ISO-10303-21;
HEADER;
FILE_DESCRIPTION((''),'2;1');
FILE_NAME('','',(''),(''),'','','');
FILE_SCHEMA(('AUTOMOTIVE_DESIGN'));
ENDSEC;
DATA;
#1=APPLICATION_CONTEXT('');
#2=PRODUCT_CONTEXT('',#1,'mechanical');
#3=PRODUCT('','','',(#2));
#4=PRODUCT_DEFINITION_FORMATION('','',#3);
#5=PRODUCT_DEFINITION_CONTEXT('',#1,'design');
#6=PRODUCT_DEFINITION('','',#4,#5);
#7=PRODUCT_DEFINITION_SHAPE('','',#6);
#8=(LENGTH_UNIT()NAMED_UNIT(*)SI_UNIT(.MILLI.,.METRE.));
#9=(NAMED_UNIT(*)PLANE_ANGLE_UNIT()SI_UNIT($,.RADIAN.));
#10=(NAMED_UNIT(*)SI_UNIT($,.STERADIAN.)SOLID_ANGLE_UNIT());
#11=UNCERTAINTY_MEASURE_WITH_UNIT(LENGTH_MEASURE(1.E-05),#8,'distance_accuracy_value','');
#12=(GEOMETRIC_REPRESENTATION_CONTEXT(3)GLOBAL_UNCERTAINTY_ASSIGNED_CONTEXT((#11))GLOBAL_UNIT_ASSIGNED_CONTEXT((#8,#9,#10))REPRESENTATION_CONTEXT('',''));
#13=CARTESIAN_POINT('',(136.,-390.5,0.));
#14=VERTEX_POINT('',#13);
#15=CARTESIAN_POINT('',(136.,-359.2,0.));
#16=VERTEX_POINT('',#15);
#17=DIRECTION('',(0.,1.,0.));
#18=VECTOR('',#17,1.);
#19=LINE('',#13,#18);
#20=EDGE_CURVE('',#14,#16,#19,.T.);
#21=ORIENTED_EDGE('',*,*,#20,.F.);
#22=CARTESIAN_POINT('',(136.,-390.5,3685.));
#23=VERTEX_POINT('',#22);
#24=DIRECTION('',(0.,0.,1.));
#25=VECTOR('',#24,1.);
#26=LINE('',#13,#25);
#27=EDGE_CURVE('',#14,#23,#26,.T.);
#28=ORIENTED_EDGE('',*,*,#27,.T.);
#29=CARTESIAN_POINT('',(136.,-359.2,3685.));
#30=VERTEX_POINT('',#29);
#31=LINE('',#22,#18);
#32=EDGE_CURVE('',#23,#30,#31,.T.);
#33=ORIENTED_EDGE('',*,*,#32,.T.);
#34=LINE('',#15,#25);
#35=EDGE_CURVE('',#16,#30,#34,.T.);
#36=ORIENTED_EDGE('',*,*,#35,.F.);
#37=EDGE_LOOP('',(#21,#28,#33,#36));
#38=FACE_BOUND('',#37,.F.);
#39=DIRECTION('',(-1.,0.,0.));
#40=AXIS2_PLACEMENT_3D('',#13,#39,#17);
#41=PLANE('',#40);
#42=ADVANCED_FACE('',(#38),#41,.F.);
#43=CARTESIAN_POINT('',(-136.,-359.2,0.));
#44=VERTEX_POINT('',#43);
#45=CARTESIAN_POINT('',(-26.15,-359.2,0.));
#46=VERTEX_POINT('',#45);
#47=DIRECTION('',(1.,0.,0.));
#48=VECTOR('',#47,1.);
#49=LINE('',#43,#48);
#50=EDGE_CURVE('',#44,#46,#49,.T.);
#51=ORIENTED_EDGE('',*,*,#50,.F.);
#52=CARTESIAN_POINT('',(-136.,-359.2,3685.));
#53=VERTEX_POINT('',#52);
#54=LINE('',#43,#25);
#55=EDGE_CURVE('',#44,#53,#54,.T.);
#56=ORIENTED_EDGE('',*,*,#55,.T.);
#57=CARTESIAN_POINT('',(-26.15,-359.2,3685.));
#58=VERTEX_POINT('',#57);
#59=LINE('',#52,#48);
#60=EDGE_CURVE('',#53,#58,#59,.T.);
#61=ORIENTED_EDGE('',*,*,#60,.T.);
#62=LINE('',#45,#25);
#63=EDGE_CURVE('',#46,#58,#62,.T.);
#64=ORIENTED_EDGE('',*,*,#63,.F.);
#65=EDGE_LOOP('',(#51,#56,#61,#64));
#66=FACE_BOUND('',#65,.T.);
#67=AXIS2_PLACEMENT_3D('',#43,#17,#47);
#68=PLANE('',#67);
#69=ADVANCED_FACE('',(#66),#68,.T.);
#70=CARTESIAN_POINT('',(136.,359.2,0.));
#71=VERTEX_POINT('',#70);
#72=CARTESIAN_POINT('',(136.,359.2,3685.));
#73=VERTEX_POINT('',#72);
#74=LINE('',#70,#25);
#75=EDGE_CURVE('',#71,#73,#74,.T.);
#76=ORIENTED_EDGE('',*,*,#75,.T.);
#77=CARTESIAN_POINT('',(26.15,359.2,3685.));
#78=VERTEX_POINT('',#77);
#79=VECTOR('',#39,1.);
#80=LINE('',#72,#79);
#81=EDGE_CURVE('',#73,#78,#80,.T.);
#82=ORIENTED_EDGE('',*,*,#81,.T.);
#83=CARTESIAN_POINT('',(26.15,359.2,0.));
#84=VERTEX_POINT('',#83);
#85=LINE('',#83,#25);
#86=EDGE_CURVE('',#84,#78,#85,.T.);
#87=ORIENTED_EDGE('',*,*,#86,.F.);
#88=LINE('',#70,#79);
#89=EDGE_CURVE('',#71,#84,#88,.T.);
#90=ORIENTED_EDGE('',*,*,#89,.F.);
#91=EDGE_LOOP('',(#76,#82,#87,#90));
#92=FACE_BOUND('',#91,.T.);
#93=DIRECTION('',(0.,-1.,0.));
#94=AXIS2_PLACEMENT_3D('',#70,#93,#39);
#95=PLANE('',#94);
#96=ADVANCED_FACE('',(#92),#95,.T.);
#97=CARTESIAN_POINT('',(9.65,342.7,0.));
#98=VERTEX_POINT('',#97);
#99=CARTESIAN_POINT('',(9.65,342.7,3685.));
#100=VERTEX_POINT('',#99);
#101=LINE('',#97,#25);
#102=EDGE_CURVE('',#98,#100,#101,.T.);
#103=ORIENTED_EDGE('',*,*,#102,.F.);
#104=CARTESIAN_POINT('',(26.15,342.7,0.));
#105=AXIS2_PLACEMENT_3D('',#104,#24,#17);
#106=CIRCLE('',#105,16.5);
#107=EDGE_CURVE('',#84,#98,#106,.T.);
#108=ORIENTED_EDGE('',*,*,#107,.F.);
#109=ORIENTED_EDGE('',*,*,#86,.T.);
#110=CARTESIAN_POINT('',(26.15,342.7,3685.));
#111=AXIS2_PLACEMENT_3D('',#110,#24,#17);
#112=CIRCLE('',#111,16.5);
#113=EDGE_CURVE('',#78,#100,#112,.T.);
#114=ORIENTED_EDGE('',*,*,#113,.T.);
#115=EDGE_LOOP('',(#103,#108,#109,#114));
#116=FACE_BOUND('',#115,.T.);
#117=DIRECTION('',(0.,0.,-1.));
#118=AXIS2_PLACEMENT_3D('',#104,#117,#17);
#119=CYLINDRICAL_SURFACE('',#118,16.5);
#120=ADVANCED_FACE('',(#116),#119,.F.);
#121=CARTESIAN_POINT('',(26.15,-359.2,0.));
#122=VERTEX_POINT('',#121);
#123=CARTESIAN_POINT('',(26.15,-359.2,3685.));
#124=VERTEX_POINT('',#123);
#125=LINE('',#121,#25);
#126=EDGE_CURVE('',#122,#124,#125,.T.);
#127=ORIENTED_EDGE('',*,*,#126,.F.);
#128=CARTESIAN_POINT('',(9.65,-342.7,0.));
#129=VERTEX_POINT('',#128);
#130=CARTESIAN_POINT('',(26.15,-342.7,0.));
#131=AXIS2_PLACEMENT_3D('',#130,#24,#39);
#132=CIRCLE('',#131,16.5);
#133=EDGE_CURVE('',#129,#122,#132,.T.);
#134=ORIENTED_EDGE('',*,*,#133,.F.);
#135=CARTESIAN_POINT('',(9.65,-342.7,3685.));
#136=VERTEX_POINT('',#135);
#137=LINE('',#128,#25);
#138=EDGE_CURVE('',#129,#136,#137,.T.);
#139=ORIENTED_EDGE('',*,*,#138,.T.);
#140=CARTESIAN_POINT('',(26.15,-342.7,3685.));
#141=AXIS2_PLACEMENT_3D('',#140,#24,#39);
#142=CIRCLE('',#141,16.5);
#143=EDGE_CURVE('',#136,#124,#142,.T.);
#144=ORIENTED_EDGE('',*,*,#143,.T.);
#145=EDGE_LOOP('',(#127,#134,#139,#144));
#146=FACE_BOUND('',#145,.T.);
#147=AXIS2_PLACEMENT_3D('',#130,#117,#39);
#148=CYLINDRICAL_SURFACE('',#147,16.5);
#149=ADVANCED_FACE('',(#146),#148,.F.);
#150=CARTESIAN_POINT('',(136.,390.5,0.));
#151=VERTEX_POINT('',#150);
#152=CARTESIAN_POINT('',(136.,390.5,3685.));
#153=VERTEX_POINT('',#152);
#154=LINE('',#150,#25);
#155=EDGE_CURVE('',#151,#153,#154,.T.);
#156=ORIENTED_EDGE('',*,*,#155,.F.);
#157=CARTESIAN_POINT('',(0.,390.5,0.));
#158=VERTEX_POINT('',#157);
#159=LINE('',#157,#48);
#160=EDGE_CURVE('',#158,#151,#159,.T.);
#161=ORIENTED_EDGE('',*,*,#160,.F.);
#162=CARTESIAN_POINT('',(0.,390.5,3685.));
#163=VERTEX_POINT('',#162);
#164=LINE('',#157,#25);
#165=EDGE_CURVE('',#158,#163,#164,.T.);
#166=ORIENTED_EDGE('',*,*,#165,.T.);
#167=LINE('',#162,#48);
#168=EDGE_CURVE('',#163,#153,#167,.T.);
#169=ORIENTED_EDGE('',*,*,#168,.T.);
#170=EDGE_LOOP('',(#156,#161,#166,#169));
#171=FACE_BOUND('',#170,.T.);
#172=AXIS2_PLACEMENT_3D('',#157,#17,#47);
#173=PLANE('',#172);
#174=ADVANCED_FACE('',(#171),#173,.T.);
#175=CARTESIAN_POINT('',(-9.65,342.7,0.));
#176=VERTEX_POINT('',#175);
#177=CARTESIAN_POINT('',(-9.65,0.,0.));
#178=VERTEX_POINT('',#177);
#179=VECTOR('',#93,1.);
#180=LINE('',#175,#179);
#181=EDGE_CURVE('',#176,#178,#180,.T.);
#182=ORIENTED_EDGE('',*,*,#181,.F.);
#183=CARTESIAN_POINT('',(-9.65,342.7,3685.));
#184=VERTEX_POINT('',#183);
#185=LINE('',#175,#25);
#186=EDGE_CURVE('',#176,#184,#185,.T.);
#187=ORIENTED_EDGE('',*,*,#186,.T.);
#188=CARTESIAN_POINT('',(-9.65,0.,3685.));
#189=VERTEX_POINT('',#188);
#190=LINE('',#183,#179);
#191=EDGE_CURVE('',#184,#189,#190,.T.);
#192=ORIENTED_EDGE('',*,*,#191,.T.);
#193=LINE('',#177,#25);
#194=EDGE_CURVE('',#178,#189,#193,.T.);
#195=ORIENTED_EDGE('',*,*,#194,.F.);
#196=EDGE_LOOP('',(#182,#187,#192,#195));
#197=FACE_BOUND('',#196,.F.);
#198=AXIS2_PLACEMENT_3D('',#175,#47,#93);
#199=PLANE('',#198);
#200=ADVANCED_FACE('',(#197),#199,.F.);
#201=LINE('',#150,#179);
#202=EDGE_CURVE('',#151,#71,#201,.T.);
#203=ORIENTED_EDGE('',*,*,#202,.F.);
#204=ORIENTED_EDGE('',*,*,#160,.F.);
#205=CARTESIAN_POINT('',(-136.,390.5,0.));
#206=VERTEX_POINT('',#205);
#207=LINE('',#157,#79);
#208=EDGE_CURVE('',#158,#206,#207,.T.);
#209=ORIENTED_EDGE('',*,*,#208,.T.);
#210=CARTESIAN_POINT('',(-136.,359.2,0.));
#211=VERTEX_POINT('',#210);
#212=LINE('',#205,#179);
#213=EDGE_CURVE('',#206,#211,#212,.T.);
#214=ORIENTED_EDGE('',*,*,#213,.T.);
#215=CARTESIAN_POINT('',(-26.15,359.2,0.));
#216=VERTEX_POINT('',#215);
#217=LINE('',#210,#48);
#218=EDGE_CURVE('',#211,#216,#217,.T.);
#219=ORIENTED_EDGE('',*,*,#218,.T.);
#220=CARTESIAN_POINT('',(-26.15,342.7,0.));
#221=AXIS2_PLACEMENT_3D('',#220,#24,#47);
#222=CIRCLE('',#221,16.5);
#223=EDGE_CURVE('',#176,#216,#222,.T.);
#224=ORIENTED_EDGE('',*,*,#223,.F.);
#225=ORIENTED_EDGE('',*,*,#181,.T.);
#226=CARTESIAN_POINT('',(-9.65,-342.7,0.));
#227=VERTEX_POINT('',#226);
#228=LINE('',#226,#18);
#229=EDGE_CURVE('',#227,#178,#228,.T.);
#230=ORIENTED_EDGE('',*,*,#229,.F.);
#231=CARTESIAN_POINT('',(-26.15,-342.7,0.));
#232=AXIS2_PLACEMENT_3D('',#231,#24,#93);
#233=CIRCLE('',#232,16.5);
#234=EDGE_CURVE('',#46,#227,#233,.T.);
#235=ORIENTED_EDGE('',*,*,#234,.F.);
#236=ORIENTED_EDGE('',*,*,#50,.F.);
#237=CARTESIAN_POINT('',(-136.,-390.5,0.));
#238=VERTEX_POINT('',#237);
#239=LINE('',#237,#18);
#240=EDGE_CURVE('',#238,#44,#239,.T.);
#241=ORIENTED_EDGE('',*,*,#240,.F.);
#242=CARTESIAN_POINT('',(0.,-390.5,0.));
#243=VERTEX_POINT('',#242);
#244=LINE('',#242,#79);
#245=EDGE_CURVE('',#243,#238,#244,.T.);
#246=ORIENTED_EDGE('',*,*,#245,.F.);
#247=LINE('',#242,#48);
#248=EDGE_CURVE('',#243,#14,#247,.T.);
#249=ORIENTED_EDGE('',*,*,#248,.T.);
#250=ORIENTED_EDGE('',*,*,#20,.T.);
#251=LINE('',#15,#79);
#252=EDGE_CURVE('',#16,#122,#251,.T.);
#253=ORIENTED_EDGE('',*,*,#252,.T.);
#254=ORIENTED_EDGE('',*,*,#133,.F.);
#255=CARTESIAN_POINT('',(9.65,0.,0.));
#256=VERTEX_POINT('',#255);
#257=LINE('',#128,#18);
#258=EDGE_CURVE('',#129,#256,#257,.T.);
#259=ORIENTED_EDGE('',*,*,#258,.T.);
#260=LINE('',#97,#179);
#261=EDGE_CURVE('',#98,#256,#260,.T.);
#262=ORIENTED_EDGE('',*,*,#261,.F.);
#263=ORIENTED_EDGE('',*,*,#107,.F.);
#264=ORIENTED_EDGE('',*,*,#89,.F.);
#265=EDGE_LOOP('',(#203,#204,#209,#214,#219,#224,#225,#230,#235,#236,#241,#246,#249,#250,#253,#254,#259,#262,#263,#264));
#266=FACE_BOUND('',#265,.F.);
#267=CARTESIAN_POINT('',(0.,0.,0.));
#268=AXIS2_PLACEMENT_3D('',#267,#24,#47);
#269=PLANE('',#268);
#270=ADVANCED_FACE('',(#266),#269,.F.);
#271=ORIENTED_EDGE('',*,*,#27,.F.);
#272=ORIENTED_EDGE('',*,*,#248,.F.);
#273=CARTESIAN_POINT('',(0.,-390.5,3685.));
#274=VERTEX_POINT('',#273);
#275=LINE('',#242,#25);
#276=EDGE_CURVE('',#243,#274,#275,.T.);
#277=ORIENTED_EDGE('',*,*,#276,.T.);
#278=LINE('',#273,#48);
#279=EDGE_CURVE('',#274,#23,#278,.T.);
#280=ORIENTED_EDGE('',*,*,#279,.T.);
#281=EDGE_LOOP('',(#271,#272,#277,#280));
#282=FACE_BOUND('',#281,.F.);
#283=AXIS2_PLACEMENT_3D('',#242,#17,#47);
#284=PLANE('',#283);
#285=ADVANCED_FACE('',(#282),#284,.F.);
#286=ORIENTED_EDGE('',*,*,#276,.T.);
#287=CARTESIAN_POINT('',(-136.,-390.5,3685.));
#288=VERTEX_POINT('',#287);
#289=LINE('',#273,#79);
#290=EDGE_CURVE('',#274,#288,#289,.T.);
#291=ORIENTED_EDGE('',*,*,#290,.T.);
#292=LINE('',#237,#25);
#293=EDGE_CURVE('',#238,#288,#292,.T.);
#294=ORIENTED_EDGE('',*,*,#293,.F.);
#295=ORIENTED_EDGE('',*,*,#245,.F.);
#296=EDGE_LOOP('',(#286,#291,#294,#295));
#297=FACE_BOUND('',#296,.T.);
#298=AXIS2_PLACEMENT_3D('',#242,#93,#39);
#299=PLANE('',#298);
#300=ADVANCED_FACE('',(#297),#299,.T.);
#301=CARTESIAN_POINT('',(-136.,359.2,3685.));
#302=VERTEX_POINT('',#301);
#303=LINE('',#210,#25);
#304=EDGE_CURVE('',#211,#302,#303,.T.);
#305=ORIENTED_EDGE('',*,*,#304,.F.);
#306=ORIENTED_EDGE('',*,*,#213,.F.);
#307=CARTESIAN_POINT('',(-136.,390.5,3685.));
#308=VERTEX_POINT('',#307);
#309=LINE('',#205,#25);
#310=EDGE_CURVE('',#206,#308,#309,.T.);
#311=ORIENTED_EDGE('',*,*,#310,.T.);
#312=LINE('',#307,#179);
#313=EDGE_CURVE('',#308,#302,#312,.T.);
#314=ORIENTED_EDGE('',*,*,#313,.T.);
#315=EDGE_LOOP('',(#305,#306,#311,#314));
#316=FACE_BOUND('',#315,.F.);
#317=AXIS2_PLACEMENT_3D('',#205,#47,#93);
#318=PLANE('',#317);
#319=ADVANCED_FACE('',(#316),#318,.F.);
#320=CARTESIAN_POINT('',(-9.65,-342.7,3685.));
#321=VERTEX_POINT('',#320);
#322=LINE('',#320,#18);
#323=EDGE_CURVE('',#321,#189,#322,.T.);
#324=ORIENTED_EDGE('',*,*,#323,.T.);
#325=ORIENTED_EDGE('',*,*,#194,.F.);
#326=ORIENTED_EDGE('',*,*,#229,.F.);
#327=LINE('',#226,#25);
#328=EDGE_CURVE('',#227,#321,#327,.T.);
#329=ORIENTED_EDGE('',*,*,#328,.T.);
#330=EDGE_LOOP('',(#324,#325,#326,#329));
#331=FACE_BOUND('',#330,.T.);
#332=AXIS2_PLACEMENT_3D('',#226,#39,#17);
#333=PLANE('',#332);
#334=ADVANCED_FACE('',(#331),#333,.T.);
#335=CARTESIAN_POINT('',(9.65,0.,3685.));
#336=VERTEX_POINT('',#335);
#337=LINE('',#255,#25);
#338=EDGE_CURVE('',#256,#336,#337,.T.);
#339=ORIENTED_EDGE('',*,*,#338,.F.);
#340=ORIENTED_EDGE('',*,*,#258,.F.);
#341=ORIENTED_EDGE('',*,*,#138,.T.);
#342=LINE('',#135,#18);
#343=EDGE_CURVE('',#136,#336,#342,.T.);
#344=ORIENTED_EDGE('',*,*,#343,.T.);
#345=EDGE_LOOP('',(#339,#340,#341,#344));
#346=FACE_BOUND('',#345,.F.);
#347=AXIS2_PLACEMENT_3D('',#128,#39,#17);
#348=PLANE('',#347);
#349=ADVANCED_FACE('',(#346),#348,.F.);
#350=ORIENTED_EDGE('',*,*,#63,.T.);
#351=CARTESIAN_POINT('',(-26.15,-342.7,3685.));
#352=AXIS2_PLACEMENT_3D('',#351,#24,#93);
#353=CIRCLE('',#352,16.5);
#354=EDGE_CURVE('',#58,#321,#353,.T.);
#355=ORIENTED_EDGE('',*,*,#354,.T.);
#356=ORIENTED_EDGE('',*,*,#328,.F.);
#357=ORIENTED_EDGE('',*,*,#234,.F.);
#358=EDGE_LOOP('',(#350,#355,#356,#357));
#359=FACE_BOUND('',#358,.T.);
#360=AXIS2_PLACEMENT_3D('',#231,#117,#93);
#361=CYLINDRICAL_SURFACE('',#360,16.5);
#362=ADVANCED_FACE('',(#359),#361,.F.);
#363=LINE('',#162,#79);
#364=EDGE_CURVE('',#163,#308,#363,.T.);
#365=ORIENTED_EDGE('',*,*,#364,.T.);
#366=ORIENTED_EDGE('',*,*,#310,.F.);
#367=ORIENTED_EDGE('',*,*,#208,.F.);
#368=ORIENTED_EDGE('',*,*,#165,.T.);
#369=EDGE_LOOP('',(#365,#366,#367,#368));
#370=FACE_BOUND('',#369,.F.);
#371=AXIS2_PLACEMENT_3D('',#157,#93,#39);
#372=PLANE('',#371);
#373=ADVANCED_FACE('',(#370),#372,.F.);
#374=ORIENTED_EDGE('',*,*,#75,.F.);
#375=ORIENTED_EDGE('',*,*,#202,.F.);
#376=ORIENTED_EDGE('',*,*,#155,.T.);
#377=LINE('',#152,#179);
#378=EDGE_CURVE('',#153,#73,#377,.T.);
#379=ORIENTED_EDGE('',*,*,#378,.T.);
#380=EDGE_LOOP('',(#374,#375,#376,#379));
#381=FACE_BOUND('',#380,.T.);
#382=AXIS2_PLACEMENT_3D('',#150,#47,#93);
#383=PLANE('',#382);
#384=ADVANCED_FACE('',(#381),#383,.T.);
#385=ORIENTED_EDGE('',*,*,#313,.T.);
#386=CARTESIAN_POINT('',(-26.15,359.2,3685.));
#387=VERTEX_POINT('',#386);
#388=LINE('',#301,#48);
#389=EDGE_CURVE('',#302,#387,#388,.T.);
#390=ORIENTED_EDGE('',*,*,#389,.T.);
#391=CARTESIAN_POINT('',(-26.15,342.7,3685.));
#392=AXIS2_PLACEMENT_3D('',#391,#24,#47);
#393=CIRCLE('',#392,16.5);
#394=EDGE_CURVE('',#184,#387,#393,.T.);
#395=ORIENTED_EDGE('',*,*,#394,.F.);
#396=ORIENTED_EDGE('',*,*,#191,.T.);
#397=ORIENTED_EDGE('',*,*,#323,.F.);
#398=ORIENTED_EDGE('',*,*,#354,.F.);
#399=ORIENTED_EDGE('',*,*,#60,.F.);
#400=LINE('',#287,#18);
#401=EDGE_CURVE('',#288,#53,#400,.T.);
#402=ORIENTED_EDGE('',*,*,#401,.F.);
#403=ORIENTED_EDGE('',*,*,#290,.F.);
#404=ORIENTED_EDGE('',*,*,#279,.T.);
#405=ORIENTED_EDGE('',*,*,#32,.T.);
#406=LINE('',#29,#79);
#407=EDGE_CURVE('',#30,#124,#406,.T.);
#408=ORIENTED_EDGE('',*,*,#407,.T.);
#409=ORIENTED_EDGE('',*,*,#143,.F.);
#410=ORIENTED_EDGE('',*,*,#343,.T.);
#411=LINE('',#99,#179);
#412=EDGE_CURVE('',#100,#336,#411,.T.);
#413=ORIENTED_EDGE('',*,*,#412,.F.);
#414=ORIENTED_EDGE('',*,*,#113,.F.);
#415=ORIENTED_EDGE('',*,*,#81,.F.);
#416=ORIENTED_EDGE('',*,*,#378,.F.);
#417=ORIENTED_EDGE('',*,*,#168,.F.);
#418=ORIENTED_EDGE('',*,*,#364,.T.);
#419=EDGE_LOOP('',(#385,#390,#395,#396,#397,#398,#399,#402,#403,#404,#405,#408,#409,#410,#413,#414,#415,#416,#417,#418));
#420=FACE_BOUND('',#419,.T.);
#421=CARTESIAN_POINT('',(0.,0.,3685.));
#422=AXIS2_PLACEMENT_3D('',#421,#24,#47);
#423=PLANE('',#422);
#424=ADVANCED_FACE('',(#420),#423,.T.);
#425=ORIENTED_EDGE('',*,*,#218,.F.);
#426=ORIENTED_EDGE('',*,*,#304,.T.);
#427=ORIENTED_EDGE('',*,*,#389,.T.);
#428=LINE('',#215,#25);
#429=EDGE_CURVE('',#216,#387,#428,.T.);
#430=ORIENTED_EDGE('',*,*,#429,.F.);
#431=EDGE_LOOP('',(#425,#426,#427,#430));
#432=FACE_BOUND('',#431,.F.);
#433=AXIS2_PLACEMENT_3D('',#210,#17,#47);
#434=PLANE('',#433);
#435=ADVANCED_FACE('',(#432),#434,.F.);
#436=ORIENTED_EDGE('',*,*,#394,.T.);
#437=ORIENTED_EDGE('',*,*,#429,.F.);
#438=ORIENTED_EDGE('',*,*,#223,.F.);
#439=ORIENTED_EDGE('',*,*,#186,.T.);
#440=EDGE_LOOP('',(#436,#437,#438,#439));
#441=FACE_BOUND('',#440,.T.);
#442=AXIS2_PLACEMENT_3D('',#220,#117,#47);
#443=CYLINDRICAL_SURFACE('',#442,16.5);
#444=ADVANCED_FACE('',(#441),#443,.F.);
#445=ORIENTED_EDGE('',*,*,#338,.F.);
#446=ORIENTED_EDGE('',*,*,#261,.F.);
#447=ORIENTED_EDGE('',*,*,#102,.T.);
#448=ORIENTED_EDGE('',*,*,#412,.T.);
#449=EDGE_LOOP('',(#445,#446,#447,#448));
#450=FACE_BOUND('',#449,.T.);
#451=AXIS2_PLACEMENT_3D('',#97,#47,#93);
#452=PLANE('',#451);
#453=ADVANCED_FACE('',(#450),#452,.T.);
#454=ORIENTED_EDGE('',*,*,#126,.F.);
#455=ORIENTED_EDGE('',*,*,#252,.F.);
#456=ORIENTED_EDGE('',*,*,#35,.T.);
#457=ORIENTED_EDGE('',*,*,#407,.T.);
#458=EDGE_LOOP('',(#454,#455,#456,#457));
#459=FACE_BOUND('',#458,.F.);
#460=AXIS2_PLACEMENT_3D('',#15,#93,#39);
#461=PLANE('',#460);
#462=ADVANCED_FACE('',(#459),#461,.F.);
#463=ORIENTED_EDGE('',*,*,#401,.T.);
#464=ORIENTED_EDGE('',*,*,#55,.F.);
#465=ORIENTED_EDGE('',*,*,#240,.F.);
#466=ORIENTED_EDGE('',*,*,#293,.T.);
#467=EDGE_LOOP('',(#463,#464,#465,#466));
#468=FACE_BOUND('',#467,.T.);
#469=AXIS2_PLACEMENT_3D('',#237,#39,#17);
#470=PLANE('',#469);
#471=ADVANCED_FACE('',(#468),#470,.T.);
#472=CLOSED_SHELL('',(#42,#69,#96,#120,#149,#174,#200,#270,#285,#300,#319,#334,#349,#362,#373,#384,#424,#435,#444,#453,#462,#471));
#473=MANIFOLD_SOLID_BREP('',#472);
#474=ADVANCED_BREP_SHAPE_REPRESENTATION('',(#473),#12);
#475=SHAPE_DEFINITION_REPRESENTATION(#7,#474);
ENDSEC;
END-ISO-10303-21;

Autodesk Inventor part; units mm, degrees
ref_plane "YZ Plane" through (0, 0, 0) normal (1, 0, 0) x (0, 1, 0)
ref_plane "Start plane" through (0, 0, 0) normal (0, 0, 1) x (1, 0, 0)
ref_plane "End plane" through (0, 0, 3685) normal (0, 0, 1) x (1, 0, 0)
sketch "Sketch" plane through (0, 0, 0) normal (0, 0, 1) x (1, 0, 0)
  line L0 (-136, -390.5) -> (-136, -359.2)
  line L1 (-136, -359.2) -> (-26.15, -359.2)
  line L2 (-9.65, -342.7) -> (-9.65, 0)
  line L3 (-9.65, 0) -> (0, 0) construction
  line L4 (0, 0) -> (0, -390.5) construction
  line L5 (0, -390.5) -> (-136, -390.5)
  line L6 (-60, 0) -> (80, 0) construction
  line L7 (0, -60) -> (0, 80) construction
  line L8 (136, -390.5) -> (136, -359.2)
  line L9 (136, -359.2) -> (26.15, -359.2)
  line L10 (9.65, -342.7) -> (9.65, 0)
  line L11 (9.65, 0) -> (0, 0) construction
  line L12 (0, -390.5) -> (136, -390.5)
  line L13 (-136, 390.5) -> (-136, 359.2)
  line L14 (-136, 359.2) -> (-26.15, 359.2)
  line L15 (-9.65, 342.7) -> (-9.65, 0)
  line L16 (0, 390.5) -> (-136, 390.5)
  line L17 (136, 390.5) -> (136, 359.2)
  line L18 (136, 359.2) -> (26.15, 359.2)
  line L19 (0, 390.5) -> (136, 390.5)
  line L20 (9.65, 342.7) -> (9.65, 0)
  arc A0 (-9.65, 342.7) -> (-26.15, 359.2) centre (-26.15, 342.7) ccw
  arc A1 (26.15, 359.2) -> (9.65, 342.7) centre (26.15, 342.7) ccw
  arc A2 (9.65, -342.7) -> (26.15, -359.2) centre (26.15, -342.7) ccw
  arc A3 (-26.15, -359.2) -> (-9.65, -342.7) centre (-26.15, -342.7) ccw
  line L21 (0, 108) -> (0, -88) construction
  line L22 (-88, 0) -> (108, 0) construction
  point P0 (-9.65, -359.2)
  point P1 (9.65, -359.2)
  point P2 (-9.65, 359.2)
  point P3 (9.65, 359.2)
  dimension "d1" = 390.5
  dimension "d2" = 31.3
  dimension "d3" = 136
  dimension "d4" = 9.65
  dimension "d10" = 16.5
extrude "Body" add sketch "Sketch" along normal up to surface (3685 mm away) from surface at 0
sketch "Sketch4" plane through (0, 0, 0) normal (0, 0, 1) x (1, 0, 0)
  line L0 (0, 0) -> (10, 0)
ref_plane "Work Plane3" through (0, 0, 0) normal (0, -1, 0) x (1, 0, 0)
sketch "Sketch5" plane through (0, 0, 0) normal (0, -1, 0) x (1, 0, 0)
  line L0 (-2, 0) -> (12, 0) projected
  line L1 (-2, 3685) -> (12, 3685) projected
  dimension "d14" = 3685
equation "\"d1\" = 0.5 * G_H"
equation "\"d2\" = G_T1"
equation "\"d3\" = 0.5 * G_W"
equation "\"d4\" = 0.5 * G_T"
equation "\"d10\" = G_IR"
equation "\"d5\" = G_L"
equation "\"G_W\" = 272"
equation "\"G_H\" = 781"
equation "\"G_T\" = 19.3"
equation "\"G_T1\" = 31.3"
equation "\"G_IR\" = 16.5"
equation "\"G_L\" = d14"
equation "\"G_OFFSET_START\" = 0"
equation "\"G_OFFSET_END\" = 0"
equation "\"d12\" = G_OFFSET_END + B_L"
equation "\"B_L\" = 3685"
properties part number "AS 3679-1990 - 760 UB - 244 - 3685" material "Steel, Mild"
